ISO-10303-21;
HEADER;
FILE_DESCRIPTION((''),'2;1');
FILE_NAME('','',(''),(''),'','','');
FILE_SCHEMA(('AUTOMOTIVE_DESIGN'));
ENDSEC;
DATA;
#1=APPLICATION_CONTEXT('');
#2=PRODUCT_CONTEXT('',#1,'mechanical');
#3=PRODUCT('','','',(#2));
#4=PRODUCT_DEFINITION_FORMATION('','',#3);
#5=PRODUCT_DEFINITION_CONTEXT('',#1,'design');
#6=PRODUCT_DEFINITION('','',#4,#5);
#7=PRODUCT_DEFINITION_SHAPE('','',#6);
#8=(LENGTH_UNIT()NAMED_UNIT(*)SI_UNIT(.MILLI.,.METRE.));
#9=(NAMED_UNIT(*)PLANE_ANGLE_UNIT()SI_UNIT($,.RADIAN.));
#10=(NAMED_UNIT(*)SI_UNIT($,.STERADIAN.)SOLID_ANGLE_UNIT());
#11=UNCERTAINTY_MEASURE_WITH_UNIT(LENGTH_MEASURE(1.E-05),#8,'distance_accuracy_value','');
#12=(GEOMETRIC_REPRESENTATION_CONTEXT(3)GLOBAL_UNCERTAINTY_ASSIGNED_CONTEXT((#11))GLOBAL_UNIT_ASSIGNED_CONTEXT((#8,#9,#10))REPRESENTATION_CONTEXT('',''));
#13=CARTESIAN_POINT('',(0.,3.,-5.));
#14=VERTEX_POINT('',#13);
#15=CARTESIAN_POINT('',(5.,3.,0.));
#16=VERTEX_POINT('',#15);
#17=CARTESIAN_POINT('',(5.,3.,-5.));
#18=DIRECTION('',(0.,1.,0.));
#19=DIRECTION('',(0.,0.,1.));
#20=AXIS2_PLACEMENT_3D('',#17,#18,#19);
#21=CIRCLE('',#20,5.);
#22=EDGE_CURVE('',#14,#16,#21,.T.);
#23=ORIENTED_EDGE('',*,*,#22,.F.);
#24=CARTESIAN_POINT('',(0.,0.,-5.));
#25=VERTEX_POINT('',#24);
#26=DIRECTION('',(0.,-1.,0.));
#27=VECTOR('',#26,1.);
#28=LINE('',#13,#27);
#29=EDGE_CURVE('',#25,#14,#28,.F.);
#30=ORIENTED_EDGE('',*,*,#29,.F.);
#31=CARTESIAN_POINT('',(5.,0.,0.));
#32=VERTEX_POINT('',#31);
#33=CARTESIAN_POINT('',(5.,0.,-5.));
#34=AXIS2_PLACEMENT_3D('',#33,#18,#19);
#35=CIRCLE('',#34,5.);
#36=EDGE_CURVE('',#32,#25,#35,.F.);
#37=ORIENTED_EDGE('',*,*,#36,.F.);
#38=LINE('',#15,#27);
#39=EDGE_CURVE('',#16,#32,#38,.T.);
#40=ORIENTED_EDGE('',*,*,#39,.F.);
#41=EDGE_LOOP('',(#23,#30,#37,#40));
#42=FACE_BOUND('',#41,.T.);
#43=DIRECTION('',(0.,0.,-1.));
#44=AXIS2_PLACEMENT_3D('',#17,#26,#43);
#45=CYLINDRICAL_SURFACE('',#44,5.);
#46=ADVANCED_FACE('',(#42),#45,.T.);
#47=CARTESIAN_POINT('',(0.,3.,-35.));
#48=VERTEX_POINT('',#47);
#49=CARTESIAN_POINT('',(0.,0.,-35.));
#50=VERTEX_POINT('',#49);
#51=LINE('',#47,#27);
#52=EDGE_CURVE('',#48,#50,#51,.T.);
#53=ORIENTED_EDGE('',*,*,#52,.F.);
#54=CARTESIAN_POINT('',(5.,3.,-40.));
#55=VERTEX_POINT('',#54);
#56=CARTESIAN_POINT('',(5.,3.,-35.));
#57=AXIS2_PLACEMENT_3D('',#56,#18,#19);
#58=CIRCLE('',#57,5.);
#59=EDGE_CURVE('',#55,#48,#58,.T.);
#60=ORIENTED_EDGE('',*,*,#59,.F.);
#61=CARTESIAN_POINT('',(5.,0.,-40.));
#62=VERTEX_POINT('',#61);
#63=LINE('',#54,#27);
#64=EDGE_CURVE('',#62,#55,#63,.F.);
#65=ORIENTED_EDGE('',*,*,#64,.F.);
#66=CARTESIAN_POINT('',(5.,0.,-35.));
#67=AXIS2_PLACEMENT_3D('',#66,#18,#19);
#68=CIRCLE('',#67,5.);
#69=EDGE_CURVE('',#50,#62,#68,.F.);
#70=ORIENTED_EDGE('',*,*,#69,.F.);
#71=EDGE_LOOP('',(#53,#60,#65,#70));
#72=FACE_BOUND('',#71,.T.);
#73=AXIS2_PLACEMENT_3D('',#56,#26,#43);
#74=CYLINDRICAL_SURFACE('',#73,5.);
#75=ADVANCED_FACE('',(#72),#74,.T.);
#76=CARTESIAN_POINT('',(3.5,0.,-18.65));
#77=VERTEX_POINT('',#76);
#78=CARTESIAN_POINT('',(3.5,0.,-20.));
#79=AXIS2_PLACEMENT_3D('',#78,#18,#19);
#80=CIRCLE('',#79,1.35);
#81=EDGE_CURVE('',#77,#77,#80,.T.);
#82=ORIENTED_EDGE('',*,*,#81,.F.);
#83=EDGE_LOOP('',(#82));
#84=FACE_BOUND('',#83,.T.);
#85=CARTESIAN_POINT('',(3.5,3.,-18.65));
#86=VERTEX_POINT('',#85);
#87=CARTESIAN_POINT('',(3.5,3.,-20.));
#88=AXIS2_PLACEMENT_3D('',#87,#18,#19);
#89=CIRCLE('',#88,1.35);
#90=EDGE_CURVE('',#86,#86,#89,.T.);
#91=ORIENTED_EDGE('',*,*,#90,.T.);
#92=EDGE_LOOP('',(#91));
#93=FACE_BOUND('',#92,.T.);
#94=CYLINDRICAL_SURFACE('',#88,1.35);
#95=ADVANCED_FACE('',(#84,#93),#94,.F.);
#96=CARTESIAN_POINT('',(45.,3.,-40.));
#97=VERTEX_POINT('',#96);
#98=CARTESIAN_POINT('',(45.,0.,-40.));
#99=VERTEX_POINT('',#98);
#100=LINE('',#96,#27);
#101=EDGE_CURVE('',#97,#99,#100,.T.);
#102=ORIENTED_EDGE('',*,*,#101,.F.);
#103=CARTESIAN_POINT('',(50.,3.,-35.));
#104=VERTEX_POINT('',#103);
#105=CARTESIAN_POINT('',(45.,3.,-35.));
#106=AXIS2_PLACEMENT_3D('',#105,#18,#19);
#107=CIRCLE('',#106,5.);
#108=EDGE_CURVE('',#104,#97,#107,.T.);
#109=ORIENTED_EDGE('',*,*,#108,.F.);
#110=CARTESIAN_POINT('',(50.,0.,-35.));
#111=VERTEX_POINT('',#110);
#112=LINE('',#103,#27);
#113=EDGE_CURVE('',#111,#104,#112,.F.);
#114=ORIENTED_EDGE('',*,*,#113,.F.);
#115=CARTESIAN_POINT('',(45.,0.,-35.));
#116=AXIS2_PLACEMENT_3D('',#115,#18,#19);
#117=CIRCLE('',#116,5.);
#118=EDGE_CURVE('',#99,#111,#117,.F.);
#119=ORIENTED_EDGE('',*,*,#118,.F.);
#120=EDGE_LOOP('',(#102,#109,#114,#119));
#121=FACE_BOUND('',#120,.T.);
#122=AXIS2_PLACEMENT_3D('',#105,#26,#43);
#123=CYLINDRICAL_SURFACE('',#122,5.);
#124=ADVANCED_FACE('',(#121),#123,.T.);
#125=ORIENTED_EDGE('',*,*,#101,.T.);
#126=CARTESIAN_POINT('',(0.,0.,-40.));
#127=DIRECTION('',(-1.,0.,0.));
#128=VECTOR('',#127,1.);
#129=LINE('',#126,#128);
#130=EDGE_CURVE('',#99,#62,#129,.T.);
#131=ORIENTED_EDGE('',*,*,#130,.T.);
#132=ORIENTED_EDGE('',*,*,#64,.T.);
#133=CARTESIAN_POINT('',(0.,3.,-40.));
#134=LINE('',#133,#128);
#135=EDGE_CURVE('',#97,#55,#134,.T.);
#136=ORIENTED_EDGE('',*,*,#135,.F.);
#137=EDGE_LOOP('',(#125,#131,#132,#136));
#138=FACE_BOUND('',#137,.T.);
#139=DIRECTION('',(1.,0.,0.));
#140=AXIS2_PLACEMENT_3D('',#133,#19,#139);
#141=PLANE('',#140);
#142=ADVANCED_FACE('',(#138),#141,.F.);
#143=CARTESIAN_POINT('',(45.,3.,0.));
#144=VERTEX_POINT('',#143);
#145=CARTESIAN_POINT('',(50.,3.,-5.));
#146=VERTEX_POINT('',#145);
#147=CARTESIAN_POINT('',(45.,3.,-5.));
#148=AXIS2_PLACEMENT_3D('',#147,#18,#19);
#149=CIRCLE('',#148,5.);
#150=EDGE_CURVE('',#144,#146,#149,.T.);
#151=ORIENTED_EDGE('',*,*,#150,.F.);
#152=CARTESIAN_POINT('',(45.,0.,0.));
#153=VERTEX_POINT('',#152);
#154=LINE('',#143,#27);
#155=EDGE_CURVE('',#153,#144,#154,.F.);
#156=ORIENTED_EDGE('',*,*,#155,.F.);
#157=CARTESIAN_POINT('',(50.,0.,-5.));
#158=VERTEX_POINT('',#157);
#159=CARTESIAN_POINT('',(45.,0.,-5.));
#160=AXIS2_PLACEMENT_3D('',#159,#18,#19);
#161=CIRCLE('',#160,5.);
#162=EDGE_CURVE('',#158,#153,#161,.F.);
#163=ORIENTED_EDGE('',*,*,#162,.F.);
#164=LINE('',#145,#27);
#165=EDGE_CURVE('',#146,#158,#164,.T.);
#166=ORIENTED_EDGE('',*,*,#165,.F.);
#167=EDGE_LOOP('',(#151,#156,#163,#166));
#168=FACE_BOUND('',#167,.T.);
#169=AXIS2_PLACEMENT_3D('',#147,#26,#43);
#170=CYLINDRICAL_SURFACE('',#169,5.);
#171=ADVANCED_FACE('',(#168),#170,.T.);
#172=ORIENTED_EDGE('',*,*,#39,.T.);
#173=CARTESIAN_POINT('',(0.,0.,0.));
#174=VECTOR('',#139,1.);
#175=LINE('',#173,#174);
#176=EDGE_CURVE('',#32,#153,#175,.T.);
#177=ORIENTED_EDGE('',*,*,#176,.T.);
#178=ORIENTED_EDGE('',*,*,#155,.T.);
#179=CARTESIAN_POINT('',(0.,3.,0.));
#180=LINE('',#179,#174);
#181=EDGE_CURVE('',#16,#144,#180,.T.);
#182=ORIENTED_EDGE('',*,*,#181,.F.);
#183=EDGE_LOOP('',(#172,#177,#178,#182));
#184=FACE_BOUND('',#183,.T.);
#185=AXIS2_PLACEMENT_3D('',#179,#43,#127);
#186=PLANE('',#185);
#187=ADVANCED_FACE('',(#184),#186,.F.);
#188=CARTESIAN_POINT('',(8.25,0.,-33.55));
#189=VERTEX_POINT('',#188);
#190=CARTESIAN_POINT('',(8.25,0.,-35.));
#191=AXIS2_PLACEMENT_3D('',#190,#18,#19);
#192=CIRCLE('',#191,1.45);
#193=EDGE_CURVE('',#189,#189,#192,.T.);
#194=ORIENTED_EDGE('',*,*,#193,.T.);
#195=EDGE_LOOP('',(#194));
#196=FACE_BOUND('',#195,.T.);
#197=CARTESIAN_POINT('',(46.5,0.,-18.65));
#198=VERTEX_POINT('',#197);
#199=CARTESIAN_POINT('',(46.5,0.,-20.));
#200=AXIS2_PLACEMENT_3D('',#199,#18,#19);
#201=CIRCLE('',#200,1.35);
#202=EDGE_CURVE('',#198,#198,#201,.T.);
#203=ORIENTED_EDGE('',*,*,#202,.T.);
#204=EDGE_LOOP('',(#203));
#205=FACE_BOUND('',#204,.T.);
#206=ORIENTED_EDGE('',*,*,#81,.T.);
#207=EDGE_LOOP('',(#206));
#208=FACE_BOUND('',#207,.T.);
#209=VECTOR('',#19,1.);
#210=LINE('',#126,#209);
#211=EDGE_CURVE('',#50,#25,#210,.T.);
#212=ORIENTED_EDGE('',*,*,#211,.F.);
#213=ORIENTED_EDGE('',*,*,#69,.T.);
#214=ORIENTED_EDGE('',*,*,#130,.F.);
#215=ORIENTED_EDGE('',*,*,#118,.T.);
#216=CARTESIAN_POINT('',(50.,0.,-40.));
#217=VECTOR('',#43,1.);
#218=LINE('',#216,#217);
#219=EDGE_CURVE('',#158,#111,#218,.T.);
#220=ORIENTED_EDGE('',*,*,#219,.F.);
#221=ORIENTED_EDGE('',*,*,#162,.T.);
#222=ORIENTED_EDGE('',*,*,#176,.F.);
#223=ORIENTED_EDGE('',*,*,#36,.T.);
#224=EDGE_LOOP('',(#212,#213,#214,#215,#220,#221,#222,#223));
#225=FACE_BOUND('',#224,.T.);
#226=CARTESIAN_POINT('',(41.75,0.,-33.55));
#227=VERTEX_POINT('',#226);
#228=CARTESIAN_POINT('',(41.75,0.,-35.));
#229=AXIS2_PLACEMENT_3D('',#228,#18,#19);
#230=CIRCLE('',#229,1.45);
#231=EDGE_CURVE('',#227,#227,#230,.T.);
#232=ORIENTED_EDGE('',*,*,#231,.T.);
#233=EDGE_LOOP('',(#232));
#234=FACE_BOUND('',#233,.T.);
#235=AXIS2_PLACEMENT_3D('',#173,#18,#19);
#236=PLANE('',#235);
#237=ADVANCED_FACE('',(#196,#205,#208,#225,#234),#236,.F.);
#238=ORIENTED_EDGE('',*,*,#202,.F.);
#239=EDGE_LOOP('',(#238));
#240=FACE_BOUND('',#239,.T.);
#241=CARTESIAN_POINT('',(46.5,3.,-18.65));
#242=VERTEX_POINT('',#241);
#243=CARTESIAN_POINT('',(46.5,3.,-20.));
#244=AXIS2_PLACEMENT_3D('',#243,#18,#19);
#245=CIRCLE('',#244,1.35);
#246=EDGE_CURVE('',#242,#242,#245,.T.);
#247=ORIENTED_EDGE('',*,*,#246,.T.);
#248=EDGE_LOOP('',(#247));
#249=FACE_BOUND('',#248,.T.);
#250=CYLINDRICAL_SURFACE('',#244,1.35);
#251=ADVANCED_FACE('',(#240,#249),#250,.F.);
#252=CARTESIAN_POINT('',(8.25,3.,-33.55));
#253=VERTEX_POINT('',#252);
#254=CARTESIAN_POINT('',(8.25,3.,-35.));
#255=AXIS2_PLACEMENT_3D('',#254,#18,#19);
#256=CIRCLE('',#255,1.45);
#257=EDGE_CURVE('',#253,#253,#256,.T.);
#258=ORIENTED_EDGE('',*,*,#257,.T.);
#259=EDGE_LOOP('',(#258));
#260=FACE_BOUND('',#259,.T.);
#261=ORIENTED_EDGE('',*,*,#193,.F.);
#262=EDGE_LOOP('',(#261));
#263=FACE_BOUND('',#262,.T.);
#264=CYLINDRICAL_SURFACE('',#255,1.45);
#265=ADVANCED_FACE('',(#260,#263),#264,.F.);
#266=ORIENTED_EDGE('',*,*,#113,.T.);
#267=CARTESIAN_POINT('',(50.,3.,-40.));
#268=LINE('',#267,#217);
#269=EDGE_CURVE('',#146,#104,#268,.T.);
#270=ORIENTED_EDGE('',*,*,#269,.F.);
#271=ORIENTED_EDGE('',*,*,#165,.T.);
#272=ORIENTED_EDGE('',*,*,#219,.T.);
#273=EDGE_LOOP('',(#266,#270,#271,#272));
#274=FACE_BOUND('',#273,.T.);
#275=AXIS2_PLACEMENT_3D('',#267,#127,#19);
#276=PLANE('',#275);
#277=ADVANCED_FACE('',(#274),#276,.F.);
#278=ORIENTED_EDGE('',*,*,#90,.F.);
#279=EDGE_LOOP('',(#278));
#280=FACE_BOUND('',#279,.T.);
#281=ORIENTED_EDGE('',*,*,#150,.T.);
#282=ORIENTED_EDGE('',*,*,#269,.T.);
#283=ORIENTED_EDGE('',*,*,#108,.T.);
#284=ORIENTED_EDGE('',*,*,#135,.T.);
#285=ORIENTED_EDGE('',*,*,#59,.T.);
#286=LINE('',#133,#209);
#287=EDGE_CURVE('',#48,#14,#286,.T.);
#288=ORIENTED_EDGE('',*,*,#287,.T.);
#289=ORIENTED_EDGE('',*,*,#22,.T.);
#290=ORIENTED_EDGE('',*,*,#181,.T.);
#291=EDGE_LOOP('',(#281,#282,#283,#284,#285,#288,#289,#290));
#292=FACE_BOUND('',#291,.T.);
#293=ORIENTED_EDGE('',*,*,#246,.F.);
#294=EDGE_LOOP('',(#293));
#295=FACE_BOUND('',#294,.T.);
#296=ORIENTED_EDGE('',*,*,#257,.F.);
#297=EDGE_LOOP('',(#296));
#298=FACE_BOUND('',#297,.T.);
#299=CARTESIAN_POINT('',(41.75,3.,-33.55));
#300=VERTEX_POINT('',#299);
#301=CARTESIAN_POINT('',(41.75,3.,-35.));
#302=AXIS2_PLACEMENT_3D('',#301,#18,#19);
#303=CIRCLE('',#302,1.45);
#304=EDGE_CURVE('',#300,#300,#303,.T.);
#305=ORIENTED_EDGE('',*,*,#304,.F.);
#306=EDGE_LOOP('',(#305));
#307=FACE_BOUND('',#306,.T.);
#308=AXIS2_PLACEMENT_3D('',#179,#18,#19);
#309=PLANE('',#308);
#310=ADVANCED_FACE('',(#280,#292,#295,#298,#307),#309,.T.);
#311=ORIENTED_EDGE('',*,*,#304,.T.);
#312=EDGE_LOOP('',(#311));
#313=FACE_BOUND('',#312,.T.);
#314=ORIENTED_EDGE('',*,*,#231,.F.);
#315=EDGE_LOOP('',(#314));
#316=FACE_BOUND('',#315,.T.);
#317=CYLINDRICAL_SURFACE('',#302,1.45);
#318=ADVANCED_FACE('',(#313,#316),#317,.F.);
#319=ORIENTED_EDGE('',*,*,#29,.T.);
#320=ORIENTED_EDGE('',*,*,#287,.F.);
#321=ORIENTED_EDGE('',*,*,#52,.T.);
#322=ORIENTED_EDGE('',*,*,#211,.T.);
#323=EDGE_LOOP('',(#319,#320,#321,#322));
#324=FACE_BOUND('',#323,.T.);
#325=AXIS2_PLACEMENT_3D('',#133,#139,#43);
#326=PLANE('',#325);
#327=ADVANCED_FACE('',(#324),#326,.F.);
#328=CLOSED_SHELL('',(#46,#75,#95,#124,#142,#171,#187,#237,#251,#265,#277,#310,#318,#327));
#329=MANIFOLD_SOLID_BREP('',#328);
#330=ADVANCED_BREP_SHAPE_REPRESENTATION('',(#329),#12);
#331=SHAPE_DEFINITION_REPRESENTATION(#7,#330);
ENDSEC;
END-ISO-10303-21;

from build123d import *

# Parameters (mm, degrees)
SKETCH1_W                  = 50
SKETCH1_H                  = 40
BOSS_EXTRUDE1_DEPTH        = 3
M2_5_CLEARANCE_HOLE1_D     = 2.9
M2_5_CLEARANCE_HOLE1_DEPTH = 15.24
M2_5_CLEARANCE_HOLE1_TIP   = 0.871247898
M2_5_CLEARANCE_HOLE2_D     = 2.7
M2_5_CLEARANCE_HOLE2_DEPTH = 15.24
M2_5_CLEARANCE_HOLE2_TIP   = 0.811161836
FILLET1_R                  = 5


with BuildPart() as part:
    # Sketch1 → Boss-Extrude1 (new body)
    with BuildSketch(Plane(origin=(0, 0, 0), x_dir=(1, 0, 0), z_dir=(0, 1, 0))):
        with Locations((25, 20)):
            Rectangle(SKETCH1_W, SKETCH1_H)
    extrude(amount=BOSS_EXTRUDE1_DEPTH)

    # M2.5 Clearance Hole1
    with Locations(Plane(origin=(0, 3, 0), x_dir=(1, 0, 0), z_dir=(0, 1, 0))):
        with Locations((8.25, 35), (41.75, 35)):
            Hole(M2_5_CLEARANCE_HOLE1_D / 2, depth=M2_5_CLEARANCE_HOLE1_DEPTH)
            with Locations((0, 0, -(M2_5_CLEARANCE_HOLE1_DEPTH + M2_5_CLEARANCE_HOLE1_TIP / 2))):  # 118° drill point
                Cone(0, M2_5_CLEARANCE_HOLE1_D / 2, M2_5_CLEARANCE_HOLE1_TIP, mode=Mode.SUBTRACT)

    # M2.5 Clearance Hole2
    with Locations(Plane(origin=(0, 3, 0), x_dir=(1, 0, 0), z_dir=(0, 1, 0))):
        with Locations((3.5, 20), (46.5, 20)):
            Hole(M2_5_CLEARANCE_HOLE2_D / 2, depth=M2_5_CLEARANCE_HOLE2_DEPTH)
            with Locations((0, 0, -(M2_5_CLEARANCE_HOLE2_DEPTH + M2_5_CLEARANCE_HOLE2_TIP / 2))):  # 118° drill point
                Cone(0, M2_5_CLEARANCE_HOLE2_D / 2, M2_5_CLEARANCE_HOLE2_TIP, mode=Mode.SUBTRACT)

    # Fillet1
    fillet1_edges = [part.edges().sort_by_distance(p)[0] for p in [
        (0, 1.5, -40),
        (50, 1.5, -40),
        (50, 1.5, 0),
        (0, 1.5, 0),
    ]]
    fillet(fillet1_edges, radius=FILLET1_R)


solid = part.part
